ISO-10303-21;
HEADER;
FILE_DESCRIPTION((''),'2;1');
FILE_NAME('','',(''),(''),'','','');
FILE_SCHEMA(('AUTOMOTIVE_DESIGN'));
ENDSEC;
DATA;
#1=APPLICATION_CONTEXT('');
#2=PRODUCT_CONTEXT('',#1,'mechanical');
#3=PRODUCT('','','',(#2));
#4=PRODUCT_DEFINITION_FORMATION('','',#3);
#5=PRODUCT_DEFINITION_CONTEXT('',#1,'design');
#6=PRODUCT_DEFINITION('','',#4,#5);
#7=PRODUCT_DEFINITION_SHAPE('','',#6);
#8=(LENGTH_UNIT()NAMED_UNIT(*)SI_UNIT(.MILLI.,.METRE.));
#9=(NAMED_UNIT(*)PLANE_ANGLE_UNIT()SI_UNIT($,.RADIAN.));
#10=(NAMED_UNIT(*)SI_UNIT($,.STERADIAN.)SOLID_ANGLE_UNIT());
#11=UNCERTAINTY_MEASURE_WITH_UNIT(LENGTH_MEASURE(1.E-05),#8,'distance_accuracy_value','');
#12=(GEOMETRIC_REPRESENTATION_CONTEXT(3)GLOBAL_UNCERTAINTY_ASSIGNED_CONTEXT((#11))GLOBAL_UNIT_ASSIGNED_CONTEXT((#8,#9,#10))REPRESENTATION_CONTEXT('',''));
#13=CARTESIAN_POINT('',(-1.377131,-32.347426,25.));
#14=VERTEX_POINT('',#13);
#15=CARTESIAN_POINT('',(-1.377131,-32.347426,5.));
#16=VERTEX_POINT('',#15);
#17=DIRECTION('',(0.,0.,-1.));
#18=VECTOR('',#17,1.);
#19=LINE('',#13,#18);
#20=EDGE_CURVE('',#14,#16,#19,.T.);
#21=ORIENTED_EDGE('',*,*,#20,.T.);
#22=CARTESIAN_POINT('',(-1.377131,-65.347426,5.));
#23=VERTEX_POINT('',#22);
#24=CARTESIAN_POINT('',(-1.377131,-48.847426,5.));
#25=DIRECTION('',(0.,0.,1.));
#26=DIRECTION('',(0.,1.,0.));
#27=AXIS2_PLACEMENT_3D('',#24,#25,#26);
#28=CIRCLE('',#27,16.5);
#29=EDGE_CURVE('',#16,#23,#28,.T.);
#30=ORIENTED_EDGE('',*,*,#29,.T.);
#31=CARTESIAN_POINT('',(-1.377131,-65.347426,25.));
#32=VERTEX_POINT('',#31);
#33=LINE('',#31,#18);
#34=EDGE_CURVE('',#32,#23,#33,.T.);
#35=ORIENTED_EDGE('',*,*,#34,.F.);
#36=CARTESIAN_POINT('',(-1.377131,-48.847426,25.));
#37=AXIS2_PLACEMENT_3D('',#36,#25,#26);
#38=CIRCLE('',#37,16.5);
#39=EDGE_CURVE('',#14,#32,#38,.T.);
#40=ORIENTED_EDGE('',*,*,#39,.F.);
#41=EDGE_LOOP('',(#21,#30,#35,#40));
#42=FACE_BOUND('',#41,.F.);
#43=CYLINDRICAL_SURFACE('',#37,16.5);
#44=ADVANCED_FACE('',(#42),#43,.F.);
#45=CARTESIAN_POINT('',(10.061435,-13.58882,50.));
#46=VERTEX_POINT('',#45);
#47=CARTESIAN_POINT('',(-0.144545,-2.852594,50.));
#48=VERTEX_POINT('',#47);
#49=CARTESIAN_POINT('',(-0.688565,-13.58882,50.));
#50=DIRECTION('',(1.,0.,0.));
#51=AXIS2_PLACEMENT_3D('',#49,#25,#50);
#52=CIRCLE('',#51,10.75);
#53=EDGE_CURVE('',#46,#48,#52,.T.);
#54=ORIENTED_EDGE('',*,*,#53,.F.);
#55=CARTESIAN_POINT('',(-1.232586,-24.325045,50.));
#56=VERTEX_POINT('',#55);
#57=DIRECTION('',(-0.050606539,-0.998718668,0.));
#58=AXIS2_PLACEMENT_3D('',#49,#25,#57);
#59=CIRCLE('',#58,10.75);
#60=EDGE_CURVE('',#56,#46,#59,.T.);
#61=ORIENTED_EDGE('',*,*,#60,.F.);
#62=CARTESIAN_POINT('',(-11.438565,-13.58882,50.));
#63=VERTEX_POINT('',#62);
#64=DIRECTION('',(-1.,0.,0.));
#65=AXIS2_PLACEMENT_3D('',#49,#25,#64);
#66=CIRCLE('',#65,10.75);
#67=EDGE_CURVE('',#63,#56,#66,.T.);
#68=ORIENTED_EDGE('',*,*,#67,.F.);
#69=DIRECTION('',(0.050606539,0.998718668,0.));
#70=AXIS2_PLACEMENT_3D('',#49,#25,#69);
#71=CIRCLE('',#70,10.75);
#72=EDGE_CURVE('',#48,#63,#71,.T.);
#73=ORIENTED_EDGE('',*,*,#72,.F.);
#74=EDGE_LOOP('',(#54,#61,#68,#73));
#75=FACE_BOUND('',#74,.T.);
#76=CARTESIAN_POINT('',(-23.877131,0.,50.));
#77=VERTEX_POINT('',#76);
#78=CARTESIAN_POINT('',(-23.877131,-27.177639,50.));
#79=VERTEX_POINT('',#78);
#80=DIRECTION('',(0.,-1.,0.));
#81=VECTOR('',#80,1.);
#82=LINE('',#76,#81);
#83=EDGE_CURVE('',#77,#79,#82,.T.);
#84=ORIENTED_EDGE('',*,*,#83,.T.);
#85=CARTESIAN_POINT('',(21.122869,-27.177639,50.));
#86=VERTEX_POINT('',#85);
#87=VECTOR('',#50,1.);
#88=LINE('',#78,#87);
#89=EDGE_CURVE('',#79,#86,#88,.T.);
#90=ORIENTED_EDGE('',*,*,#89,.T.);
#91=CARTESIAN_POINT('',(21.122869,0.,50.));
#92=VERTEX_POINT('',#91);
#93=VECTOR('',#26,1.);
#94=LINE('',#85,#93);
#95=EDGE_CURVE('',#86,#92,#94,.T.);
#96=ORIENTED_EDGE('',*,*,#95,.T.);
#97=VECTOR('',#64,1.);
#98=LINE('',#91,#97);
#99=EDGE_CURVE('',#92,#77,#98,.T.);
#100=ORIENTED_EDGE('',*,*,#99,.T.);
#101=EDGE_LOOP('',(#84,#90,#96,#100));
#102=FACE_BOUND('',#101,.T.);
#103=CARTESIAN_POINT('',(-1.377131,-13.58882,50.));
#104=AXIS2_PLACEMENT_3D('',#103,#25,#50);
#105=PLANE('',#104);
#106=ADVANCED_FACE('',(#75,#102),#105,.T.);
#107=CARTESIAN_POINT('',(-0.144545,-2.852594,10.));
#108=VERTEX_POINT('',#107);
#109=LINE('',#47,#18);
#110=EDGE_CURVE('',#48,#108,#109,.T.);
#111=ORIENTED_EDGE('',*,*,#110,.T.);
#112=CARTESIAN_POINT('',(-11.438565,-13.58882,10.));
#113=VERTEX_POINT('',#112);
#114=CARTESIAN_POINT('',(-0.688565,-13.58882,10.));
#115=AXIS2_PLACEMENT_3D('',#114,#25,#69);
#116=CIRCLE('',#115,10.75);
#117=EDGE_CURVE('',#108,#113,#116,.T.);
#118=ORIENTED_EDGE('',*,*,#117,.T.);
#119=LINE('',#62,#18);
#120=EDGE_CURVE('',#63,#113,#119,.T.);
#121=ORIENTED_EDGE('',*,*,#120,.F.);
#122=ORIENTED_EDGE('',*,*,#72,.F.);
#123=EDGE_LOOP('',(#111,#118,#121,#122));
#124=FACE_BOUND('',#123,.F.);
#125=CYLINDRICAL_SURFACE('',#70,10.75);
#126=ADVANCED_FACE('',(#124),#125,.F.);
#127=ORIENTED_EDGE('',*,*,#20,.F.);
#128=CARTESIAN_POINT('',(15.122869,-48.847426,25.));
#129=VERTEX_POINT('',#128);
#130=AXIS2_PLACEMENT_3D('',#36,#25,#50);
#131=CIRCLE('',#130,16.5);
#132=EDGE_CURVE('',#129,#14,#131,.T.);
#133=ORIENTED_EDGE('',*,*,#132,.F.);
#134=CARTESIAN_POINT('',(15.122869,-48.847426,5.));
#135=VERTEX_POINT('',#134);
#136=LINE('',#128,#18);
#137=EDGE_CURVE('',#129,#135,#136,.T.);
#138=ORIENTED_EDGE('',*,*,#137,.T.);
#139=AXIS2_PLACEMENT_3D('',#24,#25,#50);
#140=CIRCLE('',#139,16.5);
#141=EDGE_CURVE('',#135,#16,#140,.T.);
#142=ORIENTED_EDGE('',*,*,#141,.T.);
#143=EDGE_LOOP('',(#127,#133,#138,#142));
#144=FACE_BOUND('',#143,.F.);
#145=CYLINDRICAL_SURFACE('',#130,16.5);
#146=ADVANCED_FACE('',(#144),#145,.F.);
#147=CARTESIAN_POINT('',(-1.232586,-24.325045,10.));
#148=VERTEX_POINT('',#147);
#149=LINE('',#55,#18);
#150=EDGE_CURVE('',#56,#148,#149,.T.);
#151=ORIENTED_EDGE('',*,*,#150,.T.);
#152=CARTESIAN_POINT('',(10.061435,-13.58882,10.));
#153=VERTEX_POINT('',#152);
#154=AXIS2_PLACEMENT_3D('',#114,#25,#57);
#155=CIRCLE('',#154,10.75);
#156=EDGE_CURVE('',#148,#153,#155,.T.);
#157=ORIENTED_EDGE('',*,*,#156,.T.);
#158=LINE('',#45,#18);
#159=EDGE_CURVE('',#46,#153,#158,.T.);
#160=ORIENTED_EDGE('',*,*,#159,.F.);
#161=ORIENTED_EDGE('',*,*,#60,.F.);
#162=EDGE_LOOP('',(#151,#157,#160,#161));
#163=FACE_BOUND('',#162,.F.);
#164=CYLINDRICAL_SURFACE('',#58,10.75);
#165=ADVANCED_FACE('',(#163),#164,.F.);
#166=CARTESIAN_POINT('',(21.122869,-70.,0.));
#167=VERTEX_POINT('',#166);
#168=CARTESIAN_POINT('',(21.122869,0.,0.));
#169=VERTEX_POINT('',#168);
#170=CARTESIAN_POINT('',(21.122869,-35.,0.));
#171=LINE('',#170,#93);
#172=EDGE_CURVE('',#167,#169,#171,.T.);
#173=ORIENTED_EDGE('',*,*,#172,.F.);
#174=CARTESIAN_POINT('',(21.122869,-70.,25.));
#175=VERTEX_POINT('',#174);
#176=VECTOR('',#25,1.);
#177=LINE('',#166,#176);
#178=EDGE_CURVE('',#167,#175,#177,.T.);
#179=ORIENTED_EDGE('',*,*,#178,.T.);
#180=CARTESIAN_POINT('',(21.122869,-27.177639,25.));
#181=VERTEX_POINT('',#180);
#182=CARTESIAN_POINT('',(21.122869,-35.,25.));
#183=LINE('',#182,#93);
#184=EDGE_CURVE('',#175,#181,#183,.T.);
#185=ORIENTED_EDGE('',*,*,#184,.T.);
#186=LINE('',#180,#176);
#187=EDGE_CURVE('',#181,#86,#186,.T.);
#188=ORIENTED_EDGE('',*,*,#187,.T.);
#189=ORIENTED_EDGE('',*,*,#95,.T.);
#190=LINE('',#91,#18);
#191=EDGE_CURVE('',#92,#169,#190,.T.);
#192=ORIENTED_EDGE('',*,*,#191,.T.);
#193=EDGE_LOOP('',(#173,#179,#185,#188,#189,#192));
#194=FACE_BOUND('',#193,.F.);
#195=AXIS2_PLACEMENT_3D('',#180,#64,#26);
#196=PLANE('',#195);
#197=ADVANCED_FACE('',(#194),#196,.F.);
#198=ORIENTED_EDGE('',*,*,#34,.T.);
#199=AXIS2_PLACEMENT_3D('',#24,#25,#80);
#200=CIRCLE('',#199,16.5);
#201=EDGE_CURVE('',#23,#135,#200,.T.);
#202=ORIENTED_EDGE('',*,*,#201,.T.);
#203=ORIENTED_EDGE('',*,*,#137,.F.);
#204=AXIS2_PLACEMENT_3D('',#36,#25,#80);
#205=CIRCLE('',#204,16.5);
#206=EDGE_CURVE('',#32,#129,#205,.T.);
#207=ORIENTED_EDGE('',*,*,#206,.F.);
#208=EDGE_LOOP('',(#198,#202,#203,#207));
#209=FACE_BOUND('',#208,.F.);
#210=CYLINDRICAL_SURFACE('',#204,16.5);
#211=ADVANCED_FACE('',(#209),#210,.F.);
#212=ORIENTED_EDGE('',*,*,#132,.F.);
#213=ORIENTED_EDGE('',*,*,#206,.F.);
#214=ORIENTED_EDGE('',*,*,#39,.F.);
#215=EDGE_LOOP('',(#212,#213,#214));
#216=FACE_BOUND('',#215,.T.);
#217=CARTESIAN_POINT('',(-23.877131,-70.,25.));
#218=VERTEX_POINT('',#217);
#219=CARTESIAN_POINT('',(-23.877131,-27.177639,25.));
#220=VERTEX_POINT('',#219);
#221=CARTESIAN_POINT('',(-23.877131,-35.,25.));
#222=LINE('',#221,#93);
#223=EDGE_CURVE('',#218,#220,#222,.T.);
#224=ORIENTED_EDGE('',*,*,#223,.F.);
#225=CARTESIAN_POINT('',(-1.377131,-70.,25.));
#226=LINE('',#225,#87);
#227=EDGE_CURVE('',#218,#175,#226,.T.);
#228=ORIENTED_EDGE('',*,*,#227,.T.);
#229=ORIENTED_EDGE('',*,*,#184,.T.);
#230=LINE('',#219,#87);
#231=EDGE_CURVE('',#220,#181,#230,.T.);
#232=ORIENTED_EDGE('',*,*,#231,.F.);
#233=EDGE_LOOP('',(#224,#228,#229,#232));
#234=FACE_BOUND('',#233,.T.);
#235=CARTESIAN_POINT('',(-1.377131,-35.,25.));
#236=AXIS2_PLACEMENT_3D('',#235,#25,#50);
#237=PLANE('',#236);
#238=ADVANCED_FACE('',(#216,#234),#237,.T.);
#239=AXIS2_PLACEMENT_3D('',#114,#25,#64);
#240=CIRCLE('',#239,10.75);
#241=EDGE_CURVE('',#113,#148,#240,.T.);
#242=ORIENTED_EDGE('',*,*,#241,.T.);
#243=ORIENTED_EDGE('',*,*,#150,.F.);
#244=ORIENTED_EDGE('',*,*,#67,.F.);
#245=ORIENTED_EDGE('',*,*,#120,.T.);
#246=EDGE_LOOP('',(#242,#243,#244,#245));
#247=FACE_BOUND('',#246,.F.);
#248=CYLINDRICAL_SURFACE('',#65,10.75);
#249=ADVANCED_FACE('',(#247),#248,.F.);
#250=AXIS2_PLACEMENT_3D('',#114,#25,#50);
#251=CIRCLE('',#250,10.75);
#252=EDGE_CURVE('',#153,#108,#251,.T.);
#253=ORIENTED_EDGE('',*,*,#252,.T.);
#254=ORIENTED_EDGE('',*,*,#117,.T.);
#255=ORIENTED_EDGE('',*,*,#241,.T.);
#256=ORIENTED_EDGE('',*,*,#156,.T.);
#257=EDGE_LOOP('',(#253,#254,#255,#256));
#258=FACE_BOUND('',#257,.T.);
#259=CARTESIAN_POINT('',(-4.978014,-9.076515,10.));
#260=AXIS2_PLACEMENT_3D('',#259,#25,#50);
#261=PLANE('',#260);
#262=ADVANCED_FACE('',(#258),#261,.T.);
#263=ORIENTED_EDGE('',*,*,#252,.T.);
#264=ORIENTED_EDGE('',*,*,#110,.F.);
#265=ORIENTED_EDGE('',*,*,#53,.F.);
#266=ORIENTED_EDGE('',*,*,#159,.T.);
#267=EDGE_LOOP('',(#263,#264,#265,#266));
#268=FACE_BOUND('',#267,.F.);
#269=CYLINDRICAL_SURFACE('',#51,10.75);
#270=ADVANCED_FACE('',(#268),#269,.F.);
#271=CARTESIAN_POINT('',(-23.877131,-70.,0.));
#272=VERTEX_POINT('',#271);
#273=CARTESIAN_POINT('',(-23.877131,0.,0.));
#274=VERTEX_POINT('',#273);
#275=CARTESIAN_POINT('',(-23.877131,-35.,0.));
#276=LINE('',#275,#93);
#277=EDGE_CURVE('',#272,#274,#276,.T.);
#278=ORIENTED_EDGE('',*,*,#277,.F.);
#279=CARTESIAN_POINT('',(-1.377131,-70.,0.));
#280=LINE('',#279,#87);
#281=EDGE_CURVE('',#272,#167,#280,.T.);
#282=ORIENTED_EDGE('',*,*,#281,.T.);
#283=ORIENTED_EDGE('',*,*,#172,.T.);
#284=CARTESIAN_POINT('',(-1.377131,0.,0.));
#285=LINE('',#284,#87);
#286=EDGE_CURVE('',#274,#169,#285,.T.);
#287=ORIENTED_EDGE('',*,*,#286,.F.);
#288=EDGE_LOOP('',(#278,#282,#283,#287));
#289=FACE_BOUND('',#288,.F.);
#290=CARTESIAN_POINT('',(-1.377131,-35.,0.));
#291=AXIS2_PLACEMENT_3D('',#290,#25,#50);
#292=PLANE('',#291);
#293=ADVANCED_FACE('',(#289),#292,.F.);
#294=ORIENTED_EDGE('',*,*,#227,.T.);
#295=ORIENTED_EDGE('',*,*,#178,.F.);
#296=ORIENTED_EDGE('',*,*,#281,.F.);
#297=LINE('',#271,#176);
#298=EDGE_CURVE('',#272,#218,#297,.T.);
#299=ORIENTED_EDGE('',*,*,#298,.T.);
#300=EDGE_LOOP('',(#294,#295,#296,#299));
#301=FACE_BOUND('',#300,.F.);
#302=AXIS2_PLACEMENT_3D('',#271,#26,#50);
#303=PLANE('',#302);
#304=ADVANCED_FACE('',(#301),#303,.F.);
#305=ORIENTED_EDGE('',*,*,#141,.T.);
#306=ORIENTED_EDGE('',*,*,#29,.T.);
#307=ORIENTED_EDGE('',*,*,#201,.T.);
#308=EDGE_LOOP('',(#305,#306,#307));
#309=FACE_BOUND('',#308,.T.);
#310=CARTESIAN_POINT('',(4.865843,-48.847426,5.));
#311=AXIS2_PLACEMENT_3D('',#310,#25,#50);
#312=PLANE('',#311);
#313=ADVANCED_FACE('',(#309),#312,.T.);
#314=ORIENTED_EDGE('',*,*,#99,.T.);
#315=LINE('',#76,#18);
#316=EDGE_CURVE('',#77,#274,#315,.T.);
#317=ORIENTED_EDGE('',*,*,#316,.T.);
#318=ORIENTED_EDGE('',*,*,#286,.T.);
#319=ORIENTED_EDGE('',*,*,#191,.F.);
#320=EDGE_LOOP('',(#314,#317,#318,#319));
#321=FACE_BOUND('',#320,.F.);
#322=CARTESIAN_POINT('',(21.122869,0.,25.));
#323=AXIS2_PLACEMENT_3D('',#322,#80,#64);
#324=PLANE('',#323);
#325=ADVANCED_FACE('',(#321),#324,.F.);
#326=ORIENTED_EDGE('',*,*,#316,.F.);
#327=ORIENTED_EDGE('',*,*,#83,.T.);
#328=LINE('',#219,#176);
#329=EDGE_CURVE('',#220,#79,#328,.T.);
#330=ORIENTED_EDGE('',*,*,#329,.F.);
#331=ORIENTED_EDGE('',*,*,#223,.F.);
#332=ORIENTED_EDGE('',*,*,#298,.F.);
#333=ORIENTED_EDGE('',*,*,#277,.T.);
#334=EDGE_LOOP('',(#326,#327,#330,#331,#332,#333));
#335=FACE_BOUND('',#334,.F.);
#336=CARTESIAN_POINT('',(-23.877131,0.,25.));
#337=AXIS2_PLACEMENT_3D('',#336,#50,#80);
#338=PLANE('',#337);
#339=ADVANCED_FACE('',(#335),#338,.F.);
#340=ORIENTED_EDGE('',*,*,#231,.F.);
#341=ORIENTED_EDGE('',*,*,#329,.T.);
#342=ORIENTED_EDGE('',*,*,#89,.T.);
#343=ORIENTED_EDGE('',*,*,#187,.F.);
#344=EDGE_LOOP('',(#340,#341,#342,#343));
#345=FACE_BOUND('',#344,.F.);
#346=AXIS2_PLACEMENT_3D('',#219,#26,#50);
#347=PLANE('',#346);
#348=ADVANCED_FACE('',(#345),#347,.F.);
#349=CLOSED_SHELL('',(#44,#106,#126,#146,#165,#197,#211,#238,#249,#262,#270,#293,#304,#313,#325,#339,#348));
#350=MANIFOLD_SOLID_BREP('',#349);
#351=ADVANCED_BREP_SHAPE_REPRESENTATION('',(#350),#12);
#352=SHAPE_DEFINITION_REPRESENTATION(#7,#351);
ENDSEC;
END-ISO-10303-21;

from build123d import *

# Parameters (mm, degrees)
F0_W     = 45
F0_H     = 70
F1_DEPTH = 25
F3_DEPTH = 20
F5_DEPTH = 25
F7_DEPTH = 40


with BuildPart() as f1:
    # F0 (on Top) → F1 (new body)
    with BuildSketch(Plane.XY):
        with Locations((-1.3771308213, -35)):
            Rectangle(F0_W, F0_H)
    extrude(amount=F1_DEPTH)

    # F2 (on face) → F3 (cut)
    with BuildSketch(Plane.XY.offset(25)):
        with BuildLine():
            Line((-1.3771308213, -32.347425729), (-1.3771308213, -65.347425729))
            ThreePointArc((-1.3771308213, -65.347425729), (10.2901310682, -60.5146876186), (15.1228691787, -48.847425729))
            ThreePointArc((15.1228691787, -48.847425729), (10.2901310682, -37.1801638395), (-1.3771308213, -32.347425729))
        make_face()
        with BuildLine():
            ThreePointArc((-1.3771308213, -32.347425729), (-17.8771308213, -48.847425729), (-1.3771308213, -65.347425729))
            Line((-1.3771308213, -65.347425729), (-1.3771308213, -32.347425729))
        make_face()
    extrude(amount=-F3_DEPTH, mode=Mode.SUBTRACT)

    # F4 (on face) → F5 (join)
    with BuildSketch(Plane.XY.offset(25)):
        Polygon((-23.8771308213, 0), (-23.8771308213, -27.1776393056), (0, -27.1776393056), (21.1228691787, -27.1776393056), (21.1228691787, 0), align=None)
    extrude(amount=F5_DEPTH)

    # F6 (on face) → F7 (cut)
    with BuildSketch(Plane.XY.offset(50)):
        with BuildLine():
            ThreePointArc((-0.1445451178, -2.8525939696), (-8.0951260785, -5.7974552618), (-11.4385654107, -13.5888196528))
            Line((-11.4385654107, -13.5888196528), (-0.6885654107, -13.5888196528))
            Line((-0.6885654107, -13.5888196528), (-0.1445451178, -2.8525939696))
        make_face()
        with BuildLine():
            Line((-0.6885654107, -13.5888196528), (-11.4385654107, -13.5888196528))
            ThreePointArc((-11.4385654107, -13.5888196528), (-8.4799298017, -20.9953803206), (-1.2325857035, -24.325045336))
            Line((-1.2325857035, -24.325045336), (-0.6885654107, -13.5888196528))
        make_face()
        with BuildLine():
            Line((-0.1445451178, -2.8525939696), (-0.6885654107, -13.5888196528))
            Line((-0.6885654107, -13.5888196528), (10.0614345893, -13.5888196528))
            ThreePointArc((10.0614345893, -13.5888196528), (7.1027989804, -6.182258985), (-0.1445451178, -2.8525939696))
        make_face()
        with BuildLine():
            Line((10.0614345893, -13.5888196528), (-0.6885654107, -13.5888196528))
            Line((-0.6885654107, -13.5888196528), (-1.2325857035, -24.325045336))
            ThreePointArc((-1.2325857035, -24.325045336), (6.7179952571, -21.3801840438), (10.0614345893, -13.5888196528))
        make_face()
    extrude(amount=-F7_DEPTH, mode=Mode.SUBTRACT)


solid = f1.part
